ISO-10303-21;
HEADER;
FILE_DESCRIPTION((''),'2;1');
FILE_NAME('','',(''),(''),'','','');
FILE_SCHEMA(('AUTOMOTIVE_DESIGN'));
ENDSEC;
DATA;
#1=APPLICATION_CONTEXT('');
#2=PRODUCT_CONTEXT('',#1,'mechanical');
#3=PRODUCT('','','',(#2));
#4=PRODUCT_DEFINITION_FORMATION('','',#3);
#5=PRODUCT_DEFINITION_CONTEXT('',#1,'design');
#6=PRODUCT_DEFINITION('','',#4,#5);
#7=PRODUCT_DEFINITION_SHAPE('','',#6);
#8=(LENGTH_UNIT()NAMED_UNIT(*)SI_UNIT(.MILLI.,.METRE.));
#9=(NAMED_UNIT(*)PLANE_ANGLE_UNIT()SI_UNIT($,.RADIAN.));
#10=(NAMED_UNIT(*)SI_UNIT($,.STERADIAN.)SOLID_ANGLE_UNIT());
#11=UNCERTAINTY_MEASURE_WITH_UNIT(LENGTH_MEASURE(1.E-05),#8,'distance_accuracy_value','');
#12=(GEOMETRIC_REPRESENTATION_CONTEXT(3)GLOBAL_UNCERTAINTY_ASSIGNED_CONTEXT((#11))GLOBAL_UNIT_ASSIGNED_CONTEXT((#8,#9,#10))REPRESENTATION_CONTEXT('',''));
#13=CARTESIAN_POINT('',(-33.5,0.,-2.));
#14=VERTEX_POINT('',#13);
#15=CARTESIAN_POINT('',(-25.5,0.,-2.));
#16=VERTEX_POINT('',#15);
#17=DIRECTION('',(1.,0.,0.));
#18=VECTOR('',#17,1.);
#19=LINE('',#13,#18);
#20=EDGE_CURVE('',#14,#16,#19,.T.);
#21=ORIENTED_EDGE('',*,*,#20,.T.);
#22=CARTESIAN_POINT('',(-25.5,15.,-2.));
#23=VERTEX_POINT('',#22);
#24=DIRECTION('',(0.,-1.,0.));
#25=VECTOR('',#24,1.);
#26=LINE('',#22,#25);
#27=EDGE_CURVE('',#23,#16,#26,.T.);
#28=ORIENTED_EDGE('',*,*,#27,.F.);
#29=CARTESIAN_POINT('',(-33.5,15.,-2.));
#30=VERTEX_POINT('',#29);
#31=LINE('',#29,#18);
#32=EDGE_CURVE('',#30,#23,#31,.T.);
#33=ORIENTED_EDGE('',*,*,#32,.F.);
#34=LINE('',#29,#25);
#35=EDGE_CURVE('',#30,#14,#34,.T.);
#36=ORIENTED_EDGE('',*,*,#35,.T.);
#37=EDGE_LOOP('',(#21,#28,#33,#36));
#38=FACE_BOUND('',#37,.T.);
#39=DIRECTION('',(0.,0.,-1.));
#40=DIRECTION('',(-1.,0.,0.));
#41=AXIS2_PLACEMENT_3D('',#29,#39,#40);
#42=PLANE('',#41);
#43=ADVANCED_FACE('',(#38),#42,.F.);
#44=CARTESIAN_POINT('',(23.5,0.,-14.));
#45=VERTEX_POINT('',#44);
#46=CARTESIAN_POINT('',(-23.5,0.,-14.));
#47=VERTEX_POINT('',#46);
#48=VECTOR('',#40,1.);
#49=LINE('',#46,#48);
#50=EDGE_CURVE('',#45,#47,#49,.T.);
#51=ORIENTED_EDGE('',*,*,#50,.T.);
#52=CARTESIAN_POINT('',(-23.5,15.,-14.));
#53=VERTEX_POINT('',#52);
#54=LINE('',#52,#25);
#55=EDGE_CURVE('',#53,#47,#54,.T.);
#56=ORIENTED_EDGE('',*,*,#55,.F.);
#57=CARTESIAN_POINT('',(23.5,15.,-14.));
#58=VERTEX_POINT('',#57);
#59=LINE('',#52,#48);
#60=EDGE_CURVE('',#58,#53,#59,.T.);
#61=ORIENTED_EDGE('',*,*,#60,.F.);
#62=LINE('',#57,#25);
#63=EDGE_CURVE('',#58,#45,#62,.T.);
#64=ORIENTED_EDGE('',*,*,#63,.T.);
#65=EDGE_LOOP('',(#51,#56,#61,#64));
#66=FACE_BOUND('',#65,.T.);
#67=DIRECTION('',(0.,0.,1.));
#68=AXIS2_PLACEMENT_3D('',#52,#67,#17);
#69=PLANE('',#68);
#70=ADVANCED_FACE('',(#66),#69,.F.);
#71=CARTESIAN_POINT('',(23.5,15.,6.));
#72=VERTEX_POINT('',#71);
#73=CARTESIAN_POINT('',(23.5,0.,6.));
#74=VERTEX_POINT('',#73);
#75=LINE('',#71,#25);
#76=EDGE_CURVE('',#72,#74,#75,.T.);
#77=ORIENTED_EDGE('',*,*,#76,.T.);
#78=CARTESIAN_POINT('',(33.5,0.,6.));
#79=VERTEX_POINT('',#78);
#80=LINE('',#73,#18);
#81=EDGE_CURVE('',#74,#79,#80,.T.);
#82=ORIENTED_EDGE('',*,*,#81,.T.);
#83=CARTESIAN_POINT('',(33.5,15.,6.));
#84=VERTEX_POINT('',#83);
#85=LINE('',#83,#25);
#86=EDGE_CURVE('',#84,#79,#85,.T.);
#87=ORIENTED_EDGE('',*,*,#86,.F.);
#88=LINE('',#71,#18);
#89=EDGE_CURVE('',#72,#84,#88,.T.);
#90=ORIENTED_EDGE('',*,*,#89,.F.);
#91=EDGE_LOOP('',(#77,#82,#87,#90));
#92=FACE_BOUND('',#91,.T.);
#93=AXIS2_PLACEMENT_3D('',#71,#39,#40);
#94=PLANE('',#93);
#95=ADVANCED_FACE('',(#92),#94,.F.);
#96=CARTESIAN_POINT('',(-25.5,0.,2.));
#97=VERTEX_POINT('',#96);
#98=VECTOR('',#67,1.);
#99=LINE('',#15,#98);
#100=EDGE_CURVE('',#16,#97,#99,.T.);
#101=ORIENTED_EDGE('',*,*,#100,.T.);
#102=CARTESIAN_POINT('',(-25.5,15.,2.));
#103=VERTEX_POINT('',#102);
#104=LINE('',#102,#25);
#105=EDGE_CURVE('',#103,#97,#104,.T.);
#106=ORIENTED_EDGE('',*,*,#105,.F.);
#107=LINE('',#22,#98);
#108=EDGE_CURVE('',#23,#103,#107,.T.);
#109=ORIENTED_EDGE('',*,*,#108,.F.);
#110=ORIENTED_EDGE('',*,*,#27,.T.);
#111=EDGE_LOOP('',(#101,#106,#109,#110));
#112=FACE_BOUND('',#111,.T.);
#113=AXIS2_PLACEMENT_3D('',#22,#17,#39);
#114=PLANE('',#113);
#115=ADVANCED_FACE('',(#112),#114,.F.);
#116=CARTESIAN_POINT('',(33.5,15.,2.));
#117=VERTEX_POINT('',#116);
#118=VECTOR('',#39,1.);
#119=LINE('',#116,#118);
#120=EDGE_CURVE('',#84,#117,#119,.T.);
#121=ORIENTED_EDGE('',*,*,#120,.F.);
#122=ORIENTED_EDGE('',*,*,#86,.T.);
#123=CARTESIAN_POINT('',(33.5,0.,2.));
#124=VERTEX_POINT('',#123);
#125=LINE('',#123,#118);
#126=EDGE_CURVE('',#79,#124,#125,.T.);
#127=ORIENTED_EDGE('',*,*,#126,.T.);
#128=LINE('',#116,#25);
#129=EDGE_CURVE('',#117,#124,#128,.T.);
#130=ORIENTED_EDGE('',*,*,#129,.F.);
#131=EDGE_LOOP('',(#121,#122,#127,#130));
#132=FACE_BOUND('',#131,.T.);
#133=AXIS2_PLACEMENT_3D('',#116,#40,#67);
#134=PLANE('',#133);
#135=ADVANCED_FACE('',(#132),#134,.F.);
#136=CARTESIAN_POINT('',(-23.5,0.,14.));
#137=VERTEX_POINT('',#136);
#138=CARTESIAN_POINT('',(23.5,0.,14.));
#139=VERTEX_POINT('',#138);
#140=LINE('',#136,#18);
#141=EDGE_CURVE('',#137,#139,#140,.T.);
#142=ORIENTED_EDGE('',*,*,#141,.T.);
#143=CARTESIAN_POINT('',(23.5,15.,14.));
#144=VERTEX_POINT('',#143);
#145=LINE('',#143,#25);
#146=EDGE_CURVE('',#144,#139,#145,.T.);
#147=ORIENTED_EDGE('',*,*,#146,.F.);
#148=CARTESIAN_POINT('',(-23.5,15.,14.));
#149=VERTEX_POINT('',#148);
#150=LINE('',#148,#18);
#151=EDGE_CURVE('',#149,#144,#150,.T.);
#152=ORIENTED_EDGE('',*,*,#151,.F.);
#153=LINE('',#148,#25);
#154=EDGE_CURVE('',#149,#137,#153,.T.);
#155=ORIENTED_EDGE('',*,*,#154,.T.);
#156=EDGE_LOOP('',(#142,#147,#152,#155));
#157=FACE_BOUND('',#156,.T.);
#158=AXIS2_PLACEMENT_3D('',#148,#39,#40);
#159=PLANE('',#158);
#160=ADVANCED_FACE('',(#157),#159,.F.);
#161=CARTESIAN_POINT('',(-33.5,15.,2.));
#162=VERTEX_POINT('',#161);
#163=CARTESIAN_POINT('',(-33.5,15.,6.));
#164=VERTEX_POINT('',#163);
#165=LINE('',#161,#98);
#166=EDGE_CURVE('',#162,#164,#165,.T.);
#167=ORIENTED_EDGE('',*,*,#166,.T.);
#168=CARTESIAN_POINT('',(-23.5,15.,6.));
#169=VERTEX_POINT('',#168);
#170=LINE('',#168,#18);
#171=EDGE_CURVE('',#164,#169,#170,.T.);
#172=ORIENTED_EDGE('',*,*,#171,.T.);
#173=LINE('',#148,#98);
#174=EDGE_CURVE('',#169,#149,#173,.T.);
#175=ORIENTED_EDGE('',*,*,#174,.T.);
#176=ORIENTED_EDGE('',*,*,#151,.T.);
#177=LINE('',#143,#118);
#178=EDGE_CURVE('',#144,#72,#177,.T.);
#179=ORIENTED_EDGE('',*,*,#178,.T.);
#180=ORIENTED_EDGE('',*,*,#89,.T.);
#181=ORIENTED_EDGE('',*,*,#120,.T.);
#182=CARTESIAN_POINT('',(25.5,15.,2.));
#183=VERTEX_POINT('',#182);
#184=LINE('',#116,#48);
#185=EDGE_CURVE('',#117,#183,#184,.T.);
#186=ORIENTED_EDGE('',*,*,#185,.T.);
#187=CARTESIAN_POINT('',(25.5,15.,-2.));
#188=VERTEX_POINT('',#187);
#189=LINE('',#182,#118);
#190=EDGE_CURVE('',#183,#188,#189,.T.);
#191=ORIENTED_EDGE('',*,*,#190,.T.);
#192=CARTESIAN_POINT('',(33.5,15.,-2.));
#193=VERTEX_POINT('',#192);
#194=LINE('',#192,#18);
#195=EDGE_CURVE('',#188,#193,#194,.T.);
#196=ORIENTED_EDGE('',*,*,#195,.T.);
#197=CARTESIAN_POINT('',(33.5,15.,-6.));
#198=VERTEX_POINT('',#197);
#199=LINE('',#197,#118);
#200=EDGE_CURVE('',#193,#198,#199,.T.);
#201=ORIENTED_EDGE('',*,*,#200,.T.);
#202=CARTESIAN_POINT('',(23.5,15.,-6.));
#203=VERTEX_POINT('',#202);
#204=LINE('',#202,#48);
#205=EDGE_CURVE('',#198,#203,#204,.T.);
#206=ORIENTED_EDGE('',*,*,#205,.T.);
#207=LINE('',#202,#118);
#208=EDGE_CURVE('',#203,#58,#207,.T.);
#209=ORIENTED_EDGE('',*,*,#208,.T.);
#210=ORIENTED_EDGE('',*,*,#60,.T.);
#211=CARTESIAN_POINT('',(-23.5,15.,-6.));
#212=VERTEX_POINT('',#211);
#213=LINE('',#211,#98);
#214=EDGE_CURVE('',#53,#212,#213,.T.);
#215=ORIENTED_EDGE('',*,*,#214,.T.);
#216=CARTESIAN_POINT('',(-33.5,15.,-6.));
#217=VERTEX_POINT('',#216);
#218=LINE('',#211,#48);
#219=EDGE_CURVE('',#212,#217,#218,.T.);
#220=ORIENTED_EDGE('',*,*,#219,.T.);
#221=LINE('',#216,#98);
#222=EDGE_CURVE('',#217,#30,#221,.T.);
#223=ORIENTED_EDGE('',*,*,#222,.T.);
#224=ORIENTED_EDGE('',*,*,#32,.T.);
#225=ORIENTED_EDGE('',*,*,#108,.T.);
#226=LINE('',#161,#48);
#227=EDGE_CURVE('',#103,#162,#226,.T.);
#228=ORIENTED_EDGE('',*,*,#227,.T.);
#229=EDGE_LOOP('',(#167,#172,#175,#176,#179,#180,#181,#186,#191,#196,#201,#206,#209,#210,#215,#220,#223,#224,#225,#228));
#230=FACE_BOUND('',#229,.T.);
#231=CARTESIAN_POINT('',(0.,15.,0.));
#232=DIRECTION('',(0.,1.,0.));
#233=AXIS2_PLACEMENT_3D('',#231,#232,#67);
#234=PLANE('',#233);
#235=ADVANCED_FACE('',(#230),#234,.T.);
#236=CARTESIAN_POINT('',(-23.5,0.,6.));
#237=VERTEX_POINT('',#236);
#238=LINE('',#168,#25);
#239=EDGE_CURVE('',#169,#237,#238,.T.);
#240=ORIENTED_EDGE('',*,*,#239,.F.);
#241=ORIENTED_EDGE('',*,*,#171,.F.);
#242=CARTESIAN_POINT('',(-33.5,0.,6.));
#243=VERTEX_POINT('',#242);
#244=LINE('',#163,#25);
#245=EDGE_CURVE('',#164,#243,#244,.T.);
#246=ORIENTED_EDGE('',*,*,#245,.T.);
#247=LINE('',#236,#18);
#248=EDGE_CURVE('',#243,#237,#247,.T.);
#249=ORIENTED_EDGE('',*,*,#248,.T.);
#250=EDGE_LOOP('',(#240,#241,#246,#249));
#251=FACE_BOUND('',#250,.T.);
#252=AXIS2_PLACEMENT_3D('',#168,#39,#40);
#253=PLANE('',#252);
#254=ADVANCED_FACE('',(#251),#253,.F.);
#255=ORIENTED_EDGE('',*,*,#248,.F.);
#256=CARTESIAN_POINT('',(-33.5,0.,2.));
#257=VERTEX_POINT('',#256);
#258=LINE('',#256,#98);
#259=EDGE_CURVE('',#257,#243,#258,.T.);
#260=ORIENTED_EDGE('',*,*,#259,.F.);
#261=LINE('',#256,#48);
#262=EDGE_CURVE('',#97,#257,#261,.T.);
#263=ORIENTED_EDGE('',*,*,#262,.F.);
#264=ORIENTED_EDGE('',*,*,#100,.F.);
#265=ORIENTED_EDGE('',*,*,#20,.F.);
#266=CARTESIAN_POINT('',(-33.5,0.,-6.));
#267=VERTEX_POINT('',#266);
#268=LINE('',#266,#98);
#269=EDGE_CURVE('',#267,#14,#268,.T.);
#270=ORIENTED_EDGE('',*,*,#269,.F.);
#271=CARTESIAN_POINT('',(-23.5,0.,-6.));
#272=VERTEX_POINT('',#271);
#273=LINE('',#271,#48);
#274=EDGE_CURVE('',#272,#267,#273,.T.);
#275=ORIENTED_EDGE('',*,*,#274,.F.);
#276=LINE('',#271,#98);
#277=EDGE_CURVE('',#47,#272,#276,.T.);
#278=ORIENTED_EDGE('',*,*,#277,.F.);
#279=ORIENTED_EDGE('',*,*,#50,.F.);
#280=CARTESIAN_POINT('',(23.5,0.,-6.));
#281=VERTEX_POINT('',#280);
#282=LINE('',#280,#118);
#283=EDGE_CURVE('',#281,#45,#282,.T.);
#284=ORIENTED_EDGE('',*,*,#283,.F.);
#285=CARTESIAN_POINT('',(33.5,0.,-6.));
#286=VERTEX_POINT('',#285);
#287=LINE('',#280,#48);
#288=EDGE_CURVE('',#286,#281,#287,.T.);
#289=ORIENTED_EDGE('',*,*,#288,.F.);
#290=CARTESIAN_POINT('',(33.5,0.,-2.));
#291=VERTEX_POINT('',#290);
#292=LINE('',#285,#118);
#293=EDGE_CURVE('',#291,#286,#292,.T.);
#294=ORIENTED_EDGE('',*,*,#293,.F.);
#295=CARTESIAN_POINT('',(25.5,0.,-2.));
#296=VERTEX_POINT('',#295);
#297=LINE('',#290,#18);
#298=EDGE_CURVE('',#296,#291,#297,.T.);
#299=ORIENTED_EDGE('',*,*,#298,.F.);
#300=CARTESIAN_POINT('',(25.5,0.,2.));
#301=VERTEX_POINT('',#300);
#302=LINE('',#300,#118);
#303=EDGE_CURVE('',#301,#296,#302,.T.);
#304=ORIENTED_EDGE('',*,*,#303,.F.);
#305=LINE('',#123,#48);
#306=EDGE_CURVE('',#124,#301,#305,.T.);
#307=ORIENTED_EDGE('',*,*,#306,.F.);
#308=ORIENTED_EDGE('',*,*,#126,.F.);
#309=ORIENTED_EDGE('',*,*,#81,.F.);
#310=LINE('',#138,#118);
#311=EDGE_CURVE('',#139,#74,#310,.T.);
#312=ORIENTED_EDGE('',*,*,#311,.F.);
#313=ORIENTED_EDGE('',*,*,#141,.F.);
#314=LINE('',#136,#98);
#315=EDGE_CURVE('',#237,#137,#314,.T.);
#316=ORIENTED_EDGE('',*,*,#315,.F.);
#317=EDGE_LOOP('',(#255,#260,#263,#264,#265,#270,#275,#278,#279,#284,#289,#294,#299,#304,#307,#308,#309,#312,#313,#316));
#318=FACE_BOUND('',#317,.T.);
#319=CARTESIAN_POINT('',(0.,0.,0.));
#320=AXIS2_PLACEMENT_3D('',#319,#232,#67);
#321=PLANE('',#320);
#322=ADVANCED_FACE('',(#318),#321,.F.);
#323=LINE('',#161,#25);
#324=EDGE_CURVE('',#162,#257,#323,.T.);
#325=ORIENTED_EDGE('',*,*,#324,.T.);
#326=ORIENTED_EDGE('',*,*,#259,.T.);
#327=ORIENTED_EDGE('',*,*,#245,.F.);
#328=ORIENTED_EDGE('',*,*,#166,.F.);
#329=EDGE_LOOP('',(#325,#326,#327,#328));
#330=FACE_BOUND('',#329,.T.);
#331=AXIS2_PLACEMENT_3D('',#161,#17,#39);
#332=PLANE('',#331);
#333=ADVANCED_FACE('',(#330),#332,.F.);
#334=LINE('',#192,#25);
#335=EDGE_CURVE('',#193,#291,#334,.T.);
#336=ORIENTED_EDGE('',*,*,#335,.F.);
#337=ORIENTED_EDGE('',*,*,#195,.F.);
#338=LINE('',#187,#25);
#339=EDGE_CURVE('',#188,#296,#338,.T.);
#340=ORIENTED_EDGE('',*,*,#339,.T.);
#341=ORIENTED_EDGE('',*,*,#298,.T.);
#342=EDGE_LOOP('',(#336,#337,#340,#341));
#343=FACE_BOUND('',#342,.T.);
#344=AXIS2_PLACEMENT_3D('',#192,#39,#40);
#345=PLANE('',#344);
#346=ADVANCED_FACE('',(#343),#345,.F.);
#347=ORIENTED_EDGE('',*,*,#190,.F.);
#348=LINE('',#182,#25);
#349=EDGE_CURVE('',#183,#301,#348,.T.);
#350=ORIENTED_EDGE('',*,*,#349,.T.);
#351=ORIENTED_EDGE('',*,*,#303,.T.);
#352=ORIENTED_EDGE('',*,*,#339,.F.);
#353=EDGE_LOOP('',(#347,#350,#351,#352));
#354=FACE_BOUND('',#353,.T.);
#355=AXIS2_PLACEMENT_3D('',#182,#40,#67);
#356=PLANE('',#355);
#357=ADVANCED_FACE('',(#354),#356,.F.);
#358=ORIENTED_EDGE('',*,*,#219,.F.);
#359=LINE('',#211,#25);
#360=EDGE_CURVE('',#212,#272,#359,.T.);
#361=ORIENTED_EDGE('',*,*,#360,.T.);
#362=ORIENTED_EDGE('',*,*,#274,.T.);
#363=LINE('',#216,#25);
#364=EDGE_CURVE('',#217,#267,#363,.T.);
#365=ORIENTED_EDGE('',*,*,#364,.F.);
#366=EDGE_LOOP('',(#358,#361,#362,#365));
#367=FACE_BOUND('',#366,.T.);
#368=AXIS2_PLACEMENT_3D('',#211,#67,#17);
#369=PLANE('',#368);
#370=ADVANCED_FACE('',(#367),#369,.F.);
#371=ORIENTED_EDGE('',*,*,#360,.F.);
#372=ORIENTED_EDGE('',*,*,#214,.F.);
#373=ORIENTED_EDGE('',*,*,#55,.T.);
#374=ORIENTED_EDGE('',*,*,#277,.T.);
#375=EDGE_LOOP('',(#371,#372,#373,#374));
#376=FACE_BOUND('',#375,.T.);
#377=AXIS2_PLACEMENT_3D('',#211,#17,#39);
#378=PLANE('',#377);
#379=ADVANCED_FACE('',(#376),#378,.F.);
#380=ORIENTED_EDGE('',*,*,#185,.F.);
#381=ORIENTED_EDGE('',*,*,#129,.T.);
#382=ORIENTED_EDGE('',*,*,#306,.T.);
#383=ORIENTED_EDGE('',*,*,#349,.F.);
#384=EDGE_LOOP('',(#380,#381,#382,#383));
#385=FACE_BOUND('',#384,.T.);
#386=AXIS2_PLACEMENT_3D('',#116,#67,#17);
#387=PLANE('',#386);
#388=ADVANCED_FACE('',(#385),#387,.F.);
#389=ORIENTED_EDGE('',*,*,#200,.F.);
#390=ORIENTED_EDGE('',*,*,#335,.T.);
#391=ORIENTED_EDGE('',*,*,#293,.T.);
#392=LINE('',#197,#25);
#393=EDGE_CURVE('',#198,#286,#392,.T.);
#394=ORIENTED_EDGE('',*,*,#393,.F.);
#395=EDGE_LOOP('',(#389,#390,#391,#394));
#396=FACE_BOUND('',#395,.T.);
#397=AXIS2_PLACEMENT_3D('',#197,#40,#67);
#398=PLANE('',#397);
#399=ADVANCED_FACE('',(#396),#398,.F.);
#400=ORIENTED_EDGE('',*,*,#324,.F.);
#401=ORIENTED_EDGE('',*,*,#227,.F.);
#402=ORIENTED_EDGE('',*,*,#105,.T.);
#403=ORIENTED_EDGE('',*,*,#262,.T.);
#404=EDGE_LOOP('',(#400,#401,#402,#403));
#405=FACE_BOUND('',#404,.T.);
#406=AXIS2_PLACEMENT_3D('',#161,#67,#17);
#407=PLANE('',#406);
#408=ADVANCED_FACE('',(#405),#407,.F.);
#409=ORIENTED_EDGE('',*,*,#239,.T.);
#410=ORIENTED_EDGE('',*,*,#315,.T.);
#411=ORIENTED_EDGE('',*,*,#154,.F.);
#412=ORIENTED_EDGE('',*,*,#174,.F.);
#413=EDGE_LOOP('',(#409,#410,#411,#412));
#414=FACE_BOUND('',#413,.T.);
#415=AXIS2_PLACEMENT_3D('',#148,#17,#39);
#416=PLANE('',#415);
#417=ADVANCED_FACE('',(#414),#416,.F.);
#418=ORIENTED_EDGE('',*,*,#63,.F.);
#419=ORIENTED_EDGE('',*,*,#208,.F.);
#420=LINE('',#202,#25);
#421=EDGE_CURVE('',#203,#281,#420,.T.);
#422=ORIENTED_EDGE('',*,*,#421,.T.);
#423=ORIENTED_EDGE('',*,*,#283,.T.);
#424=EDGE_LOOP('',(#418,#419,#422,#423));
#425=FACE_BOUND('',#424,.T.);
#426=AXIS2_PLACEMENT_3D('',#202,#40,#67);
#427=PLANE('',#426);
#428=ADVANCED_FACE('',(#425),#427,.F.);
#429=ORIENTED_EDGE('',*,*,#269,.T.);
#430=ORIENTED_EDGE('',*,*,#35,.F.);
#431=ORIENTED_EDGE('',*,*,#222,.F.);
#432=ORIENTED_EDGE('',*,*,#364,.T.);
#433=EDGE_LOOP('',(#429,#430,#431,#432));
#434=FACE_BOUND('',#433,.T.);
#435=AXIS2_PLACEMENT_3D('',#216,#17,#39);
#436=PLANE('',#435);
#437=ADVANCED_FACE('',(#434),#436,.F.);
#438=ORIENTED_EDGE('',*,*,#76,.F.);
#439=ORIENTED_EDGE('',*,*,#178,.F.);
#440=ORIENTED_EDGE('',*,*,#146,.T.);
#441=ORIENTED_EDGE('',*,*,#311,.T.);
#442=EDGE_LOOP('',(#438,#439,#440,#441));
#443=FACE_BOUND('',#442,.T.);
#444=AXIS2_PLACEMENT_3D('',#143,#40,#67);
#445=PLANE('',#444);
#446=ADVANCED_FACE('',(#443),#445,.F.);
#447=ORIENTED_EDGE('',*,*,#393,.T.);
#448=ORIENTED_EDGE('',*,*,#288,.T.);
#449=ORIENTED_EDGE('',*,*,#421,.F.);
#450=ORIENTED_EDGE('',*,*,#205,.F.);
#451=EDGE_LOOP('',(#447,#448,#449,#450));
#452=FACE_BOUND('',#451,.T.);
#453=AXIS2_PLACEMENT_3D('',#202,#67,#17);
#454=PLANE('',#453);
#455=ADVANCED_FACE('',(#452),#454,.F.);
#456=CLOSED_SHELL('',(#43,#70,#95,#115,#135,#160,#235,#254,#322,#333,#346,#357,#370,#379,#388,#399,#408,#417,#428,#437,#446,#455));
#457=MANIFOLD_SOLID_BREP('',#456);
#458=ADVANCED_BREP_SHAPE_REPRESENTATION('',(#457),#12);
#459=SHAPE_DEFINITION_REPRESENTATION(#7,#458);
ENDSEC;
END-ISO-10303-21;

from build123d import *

# Parameters (mm, degrees)
BOSS_EXTRU_1_DEPTH = 15


with BuildPart() as part:
    # Esquisse1 → Boss.-Extru.1 (new body)
    with BuildSketch(Plane(origin=(0, 0, 0), x_dir=(1, 0, 0), z_dir=(0, 1, 0))):
        Polygon((23.5, 6), (23.5, 14), (-23.5, 14), (-23.5, 6), (-33.5, 6), (-33.5, 2), (-25.5, 2), (-25.5, -2), (-33.5, -2), (-33.5, -6), (-23.5, -6), (-23.5, -14), (23.5, -14), (23.5, -6), (33.5, -6), (33.5, -2), (25.5, -2), (25.5, 2), (33.5, 2), (33.5, 6), align=None)
    extrude(amount=BOSS_EXTRU_1_DEPTH)


solid = part.part
